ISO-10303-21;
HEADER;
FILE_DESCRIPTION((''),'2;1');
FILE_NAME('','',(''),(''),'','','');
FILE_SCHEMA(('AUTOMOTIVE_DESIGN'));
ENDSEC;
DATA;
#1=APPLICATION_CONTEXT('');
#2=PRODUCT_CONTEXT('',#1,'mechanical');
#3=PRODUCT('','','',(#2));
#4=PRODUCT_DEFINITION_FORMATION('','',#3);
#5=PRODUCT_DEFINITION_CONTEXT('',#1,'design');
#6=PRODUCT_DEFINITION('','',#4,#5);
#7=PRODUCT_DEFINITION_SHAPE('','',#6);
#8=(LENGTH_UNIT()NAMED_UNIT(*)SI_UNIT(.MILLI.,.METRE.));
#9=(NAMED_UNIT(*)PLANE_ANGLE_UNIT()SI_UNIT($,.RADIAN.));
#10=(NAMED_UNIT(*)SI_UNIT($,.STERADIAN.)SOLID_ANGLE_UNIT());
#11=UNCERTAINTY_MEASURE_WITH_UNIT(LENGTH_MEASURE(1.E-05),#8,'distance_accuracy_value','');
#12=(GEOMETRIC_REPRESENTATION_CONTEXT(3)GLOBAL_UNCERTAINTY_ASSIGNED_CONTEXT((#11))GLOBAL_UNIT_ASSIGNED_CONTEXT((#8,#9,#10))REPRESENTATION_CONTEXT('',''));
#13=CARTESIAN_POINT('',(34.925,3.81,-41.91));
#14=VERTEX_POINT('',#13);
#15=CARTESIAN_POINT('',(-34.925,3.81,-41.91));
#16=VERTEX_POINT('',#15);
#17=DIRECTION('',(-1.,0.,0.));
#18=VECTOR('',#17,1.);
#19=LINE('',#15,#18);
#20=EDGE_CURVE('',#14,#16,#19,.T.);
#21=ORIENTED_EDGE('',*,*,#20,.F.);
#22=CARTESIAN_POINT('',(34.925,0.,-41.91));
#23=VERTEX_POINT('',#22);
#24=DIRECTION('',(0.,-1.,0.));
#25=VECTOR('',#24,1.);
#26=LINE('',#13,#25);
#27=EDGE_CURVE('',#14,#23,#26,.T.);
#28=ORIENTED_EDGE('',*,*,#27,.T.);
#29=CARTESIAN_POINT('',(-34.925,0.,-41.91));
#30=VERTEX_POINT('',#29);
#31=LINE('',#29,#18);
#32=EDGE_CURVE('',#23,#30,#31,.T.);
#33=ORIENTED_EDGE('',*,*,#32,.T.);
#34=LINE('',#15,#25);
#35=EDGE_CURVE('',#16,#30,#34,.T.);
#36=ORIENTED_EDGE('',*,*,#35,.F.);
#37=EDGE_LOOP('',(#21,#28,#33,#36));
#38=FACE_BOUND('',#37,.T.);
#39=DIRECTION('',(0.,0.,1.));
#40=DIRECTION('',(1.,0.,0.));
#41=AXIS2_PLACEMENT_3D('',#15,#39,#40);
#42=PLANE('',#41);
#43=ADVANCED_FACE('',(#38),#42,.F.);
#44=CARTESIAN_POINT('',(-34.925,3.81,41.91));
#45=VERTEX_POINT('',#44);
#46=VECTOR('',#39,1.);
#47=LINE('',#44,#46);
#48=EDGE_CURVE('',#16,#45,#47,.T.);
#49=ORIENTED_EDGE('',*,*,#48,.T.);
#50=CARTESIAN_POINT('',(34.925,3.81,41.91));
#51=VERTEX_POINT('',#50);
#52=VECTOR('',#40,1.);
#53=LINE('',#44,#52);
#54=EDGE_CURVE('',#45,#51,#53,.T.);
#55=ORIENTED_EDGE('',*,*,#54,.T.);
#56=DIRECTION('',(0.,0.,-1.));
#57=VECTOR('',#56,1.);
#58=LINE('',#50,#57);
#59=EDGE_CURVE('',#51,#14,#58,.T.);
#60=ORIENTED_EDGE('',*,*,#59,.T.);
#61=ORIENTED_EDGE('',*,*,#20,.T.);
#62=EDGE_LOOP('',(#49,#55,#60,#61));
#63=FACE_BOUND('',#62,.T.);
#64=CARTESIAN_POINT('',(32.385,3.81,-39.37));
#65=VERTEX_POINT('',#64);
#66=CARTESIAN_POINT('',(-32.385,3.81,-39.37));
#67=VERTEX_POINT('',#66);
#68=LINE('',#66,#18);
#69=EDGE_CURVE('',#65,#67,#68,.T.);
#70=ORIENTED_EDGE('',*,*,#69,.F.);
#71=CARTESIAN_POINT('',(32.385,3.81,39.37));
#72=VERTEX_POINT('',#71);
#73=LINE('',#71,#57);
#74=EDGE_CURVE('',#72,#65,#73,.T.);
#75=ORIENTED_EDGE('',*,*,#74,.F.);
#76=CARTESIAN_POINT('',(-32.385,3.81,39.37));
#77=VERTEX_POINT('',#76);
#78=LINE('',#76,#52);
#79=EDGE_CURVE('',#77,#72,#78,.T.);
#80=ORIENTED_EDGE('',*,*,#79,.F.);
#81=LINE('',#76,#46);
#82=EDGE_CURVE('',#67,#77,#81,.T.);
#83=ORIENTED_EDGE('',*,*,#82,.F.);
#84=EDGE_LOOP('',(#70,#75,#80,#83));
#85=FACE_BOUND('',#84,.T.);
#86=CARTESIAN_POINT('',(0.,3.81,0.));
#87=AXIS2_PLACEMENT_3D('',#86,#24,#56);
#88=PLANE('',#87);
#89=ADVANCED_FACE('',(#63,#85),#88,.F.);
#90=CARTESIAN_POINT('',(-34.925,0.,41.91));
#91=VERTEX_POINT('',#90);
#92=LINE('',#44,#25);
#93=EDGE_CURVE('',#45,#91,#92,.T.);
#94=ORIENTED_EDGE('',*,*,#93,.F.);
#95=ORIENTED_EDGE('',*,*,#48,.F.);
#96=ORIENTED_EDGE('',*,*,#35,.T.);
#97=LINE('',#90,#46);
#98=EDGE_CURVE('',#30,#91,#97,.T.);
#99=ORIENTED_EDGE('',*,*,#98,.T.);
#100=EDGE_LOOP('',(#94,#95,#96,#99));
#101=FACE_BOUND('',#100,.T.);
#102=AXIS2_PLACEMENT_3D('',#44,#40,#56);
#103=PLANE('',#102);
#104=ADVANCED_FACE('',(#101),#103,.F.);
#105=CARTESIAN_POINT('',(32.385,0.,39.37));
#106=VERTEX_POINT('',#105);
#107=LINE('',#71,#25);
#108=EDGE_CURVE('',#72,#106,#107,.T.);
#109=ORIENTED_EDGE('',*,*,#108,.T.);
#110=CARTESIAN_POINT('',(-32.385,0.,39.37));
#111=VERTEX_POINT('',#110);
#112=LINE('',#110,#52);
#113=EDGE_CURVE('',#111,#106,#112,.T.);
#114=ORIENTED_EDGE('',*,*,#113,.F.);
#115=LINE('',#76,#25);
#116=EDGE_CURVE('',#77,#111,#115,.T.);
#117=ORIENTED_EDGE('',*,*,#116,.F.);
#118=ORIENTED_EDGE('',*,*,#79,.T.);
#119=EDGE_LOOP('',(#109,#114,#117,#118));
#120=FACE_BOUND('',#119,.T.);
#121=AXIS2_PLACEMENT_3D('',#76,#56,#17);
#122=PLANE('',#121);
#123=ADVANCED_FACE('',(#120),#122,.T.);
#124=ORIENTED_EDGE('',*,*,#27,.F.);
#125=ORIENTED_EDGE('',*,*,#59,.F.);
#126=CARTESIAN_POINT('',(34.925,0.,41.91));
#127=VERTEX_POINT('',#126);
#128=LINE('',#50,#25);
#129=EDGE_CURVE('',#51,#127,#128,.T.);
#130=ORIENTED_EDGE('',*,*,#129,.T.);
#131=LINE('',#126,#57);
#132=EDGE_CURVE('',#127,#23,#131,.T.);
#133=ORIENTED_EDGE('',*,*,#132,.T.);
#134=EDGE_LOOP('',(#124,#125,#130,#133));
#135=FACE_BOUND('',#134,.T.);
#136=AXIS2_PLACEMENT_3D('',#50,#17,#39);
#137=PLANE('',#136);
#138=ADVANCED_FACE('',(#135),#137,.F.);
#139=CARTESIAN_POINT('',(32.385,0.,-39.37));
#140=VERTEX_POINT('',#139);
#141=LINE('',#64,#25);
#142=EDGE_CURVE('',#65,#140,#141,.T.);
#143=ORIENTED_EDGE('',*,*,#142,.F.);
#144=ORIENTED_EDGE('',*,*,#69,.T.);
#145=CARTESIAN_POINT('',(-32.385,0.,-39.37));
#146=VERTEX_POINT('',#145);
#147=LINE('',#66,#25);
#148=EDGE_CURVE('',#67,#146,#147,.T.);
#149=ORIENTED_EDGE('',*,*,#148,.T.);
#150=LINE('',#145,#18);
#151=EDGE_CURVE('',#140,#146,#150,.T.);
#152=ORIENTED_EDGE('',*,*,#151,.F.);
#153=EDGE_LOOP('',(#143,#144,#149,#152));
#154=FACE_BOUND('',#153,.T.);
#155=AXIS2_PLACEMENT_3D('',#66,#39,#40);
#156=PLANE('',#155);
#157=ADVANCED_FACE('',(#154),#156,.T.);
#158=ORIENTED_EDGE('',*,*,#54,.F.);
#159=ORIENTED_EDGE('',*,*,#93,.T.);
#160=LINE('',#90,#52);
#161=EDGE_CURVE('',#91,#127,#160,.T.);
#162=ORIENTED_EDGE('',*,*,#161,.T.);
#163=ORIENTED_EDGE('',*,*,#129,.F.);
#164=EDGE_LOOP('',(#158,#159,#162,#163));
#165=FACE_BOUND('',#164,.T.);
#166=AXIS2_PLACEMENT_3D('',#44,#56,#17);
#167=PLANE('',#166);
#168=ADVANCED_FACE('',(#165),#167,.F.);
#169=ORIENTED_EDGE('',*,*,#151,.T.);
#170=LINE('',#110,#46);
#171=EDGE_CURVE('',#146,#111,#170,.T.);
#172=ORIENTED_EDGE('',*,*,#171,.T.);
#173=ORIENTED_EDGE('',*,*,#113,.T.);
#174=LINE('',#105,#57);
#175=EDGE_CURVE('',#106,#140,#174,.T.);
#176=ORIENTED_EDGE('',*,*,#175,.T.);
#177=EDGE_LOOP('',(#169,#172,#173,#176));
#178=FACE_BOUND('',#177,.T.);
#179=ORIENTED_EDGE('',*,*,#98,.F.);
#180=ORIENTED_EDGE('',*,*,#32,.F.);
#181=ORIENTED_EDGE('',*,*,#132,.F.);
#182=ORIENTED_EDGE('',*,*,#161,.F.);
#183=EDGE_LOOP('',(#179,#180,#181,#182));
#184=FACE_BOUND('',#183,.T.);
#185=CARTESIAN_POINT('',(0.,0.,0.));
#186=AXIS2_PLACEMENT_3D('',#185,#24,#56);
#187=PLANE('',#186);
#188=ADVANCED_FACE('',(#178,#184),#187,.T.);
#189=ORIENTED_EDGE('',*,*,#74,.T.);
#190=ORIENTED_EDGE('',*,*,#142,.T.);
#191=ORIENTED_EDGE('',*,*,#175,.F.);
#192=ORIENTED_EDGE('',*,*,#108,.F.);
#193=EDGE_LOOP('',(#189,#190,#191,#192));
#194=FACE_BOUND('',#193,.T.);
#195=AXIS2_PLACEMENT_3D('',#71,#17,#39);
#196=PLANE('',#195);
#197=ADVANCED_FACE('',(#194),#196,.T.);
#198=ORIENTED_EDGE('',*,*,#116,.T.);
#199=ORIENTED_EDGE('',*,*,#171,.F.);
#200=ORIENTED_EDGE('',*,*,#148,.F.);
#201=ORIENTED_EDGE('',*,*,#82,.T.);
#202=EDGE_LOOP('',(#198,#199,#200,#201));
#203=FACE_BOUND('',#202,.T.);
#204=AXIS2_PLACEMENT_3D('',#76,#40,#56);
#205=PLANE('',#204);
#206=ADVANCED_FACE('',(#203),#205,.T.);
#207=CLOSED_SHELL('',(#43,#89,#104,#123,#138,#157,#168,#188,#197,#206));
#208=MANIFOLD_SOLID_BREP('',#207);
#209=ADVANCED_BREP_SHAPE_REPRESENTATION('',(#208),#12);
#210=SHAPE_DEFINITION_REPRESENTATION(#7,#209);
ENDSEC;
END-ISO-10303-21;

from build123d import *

# Parameters (mm, degrees)
SKETCH1_W           = 69.85
SKETCH1_H           = 83.82
SKETCH1_W_2         = 64.77
SKETCH1_H_2         = 78.74
BOSS_EXTRUDE1_DEPTH = 3.81


with BuildPart() as part:
    # Sketch1 → Boss-Extrude1 (new body)
    with BuildSketch(Plane(origin=(0, 0, 0), x_dir=(1, 0, 0), z_dir=(0, 1, 0))):
        Rectangle(SKETCH1_W, SKETCH1_H)
        Rectangle(SKETCH1_W_2, SKETCH1_H_2, mode=Mode.SUBTRACT)
    extrude(amount=BOSS_EXTRUDE1_DEPTH)


solid = part.part
